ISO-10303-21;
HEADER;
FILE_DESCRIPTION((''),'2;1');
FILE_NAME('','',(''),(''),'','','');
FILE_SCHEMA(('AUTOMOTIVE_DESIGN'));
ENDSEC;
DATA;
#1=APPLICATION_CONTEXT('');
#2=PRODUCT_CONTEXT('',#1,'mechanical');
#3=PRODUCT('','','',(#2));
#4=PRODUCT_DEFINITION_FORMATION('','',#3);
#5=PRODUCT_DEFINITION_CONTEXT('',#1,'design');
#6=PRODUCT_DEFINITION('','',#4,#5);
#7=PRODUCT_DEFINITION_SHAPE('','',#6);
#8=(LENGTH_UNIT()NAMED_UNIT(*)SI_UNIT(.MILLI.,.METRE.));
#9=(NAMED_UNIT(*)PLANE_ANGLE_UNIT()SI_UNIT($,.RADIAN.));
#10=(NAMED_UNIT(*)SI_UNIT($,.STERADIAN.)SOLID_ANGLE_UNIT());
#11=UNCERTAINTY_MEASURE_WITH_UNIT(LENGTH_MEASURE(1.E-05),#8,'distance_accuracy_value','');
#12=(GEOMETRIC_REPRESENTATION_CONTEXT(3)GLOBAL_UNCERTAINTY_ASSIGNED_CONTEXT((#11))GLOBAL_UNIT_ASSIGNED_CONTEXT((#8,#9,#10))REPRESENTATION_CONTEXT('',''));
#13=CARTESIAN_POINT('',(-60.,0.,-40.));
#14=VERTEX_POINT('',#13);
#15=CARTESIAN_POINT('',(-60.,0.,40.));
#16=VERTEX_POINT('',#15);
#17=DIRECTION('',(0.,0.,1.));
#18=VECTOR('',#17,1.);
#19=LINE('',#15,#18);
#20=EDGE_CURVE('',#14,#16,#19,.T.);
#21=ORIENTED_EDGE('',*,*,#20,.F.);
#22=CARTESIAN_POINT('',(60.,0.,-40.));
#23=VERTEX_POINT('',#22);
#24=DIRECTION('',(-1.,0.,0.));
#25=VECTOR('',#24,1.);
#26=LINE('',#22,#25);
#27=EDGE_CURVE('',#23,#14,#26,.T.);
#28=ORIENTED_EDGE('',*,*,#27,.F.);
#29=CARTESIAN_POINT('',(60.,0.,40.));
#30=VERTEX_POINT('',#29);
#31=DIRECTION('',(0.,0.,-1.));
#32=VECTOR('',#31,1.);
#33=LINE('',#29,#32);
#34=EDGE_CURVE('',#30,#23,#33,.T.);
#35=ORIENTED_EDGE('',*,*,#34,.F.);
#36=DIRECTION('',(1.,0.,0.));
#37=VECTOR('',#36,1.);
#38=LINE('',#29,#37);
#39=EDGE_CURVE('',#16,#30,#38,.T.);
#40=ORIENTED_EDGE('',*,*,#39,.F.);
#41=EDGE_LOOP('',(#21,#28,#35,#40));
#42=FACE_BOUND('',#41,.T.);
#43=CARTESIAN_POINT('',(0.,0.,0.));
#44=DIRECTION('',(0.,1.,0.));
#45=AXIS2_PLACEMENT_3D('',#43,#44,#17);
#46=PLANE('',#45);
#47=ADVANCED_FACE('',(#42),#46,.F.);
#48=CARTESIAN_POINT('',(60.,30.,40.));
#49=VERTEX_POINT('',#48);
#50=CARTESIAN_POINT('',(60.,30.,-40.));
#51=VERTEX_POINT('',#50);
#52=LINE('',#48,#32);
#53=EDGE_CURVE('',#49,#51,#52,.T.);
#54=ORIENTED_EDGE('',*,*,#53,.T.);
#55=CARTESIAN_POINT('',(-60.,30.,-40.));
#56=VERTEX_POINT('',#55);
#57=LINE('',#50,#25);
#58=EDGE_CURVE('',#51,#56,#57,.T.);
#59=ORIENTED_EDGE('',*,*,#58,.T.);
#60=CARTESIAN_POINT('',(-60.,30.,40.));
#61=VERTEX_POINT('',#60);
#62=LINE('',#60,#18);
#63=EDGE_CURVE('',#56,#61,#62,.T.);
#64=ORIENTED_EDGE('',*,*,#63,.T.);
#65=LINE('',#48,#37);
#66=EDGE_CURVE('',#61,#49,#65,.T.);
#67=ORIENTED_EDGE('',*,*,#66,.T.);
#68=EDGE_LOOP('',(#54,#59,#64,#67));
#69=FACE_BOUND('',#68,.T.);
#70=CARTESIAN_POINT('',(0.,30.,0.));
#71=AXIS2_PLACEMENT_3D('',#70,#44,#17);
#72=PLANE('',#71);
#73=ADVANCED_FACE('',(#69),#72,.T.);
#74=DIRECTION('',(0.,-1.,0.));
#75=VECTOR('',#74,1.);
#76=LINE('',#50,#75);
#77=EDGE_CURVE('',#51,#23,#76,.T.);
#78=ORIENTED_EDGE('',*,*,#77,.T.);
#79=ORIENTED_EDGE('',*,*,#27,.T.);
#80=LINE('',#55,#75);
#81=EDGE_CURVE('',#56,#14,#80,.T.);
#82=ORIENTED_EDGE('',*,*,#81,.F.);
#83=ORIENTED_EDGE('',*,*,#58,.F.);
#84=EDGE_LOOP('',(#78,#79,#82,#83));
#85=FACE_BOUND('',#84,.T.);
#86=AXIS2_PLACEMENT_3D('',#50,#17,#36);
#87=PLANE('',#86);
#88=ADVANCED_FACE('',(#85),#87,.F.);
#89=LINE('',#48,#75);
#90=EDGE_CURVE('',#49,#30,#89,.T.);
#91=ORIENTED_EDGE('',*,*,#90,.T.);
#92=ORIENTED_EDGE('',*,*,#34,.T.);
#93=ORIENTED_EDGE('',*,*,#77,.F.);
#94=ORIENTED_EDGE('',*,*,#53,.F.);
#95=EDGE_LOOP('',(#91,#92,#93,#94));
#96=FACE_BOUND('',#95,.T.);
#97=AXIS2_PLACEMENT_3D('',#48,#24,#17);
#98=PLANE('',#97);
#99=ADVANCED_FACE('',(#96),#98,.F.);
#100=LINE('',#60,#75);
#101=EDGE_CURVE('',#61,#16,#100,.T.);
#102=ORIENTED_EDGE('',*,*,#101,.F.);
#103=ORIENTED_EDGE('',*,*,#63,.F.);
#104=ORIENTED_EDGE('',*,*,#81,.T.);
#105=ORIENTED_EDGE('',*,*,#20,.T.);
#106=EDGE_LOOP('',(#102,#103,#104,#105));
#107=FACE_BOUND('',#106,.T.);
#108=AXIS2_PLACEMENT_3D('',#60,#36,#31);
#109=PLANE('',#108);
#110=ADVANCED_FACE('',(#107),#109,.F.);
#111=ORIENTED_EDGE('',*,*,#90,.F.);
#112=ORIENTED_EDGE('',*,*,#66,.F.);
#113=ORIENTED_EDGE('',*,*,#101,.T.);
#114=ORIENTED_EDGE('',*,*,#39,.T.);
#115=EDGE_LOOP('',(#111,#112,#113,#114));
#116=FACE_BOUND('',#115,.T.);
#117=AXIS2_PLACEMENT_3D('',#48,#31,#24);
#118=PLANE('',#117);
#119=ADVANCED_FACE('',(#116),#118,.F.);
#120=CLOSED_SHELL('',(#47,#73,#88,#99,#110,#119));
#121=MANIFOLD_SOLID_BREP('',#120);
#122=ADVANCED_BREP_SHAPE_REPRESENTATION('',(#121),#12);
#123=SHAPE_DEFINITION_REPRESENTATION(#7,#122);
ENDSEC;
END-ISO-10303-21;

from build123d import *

# Parameters (mm, degrees)
SKETCH1_W           = 120
SKETCH1_H           = 80
BOSS_EXTRUDE1_DEPTH = 30


with BuildPart() as part:
    # Sketch1 → Boss-Extrude1 (new body)
    with BuildSketch(Plane(origin=(0, 0, 0), x_dir=(1, 0, 0), z_dir=(0, 1, 0))):
        Rectangle(SKETCH1_W, SKETCH1_H)
    extrude(amount=BOSS_EXTRUDE1_DEPTH)


solid = part.part
